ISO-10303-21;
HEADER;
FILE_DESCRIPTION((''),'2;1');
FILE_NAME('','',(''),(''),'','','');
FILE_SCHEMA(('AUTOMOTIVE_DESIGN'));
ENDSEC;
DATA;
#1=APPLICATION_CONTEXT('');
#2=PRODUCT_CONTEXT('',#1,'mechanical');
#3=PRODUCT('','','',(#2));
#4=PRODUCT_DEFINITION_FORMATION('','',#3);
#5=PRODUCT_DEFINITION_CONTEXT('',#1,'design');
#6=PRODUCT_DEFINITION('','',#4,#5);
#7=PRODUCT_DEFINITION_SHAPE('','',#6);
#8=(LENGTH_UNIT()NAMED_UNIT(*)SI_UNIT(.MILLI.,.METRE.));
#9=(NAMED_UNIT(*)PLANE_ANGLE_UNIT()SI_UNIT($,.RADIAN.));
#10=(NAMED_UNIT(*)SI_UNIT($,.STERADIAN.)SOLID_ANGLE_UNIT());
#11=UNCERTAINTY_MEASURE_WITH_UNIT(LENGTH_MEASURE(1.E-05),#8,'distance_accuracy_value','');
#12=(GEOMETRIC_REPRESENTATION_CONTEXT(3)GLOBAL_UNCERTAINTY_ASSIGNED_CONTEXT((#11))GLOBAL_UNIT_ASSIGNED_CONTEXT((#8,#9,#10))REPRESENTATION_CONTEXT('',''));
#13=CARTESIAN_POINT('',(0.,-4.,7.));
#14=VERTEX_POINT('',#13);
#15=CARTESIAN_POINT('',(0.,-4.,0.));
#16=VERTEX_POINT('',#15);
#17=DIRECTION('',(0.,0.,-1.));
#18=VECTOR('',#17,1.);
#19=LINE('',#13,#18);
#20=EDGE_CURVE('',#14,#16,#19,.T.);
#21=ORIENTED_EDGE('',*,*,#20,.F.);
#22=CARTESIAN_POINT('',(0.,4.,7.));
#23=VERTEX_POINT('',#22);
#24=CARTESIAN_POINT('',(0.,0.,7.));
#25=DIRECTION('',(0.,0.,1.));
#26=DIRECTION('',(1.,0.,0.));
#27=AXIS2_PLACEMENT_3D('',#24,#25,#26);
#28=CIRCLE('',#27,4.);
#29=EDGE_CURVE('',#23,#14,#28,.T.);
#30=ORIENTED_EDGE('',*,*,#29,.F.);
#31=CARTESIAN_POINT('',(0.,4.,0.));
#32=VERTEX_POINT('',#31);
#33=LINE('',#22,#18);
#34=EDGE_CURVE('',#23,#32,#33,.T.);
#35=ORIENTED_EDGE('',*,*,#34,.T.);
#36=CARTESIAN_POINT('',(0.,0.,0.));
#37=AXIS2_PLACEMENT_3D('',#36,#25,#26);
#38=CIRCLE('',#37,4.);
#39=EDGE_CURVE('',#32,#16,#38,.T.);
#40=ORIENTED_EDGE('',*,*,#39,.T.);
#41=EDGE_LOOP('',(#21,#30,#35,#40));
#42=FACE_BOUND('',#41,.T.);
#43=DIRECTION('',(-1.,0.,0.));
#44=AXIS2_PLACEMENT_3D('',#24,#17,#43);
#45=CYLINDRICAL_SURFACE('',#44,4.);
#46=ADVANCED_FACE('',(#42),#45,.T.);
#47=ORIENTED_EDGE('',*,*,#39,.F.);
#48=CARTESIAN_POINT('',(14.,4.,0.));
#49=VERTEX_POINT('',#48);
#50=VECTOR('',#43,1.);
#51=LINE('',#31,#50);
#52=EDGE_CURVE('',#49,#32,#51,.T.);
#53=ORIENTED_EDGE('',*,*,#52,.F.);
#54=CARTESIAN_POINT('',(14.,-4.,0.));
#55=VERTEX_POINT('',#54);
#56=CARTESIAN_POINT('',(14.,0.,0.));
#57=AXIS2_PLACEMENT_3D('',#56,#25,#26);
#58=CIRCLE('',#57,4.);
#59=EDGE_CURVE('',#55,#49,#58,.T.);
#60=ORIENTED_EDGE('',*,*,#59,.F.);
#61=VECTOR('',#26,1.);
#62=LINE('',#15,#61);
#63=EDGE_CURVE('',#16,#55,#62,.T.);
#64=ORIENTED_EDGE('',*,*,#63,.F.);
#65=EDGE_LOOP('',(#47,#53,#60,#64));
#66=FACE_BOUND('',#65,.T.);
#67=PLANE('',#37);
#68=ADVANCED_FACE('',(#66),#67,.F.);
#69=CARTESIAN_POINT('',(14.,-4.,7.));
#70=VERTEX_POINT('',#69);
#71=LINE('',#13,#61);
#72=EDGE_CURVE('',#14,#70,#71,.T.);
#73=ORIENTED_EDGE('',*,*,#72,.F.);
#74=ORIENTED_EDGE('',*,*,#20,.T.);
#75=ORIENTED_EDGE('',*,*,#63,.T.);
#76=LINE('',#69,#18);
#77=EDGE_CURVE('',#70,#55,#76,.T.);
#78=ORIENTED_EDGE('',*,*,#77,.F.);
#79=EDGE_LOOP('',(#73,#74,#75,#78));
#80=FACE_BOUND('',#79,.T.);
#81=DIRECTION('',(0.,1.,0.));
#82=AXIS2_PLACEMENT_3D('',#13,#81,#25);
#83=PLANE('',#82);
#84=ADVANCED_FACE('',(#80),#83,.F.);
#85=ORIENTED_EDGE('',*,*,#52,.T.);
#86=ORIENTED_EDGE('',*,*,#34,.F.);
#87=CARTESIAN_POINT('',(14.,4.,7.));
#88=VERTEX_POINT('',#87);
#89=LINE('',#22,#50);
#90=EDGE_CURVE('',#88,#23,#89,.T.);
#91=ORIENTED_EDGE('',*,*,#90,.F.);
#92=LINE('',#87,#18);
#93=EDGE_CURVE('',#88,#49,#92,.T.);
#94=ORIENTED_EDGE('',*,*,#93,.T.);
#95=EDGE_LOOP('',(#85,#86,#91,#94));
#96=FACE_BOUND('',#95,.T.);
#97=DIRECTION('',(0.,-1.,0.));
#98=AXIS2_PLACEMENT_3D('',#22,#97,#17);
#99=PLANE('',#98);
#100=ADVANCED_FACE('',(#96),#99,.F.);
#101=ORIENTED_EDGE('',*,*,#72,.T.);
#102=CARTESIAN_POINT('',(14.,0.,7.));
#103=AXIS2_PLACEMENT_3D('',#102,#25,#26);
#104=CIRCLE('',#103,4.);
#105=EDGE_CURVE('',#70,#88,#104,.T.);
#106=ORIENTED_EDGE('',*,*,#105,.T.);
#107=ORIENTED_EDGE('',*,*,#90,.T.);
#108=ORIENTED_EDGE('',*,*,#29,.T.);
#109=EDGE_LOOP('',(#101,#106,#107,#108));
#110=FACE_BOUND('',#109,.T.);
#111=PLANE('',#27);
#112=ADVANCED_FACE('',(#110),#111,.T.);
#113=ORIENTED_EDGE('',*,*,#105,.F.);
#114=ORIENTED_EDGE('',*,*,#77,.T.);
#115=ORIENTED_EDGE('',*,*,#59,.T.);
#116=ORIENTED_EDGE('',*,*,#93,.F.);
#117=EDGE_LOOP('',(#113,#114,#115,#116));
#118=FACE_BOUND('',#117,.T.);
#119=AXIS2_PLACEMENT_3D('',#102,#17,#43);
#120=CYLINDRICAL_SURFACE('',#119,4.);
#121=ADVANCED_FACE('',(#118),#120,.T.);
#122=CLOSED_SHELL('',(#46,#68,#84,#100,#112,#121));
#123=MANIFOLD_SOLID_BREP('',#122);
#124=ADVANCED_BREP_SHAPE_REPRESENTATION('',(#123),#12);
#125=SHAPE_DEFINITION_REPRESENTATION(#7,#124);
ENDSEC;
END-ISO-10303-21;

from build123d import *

# Parameters (mm, degrees)
ESTRUSIONE_ESTRUSIONE1_DEPTH = 7


with BuildPart() as part:
    # Schizzo1 → Estrusione-Estrusione1 (new body)
    with BuildSketch(Plane.XY):
        with BuildLine():
            Line((0, 4), (14, 4))
            ThreePointArc((14, 4), (18, 0), (14, -4))
            Line((14, -4), (0, -4))
            ThreePointArc((0, -4), (-4, 0), (0, 4))
        make_face()
    extrude(amount=ESTRUSIONE_ESTRUSIONE1_DEPTH)


solid = part.part
